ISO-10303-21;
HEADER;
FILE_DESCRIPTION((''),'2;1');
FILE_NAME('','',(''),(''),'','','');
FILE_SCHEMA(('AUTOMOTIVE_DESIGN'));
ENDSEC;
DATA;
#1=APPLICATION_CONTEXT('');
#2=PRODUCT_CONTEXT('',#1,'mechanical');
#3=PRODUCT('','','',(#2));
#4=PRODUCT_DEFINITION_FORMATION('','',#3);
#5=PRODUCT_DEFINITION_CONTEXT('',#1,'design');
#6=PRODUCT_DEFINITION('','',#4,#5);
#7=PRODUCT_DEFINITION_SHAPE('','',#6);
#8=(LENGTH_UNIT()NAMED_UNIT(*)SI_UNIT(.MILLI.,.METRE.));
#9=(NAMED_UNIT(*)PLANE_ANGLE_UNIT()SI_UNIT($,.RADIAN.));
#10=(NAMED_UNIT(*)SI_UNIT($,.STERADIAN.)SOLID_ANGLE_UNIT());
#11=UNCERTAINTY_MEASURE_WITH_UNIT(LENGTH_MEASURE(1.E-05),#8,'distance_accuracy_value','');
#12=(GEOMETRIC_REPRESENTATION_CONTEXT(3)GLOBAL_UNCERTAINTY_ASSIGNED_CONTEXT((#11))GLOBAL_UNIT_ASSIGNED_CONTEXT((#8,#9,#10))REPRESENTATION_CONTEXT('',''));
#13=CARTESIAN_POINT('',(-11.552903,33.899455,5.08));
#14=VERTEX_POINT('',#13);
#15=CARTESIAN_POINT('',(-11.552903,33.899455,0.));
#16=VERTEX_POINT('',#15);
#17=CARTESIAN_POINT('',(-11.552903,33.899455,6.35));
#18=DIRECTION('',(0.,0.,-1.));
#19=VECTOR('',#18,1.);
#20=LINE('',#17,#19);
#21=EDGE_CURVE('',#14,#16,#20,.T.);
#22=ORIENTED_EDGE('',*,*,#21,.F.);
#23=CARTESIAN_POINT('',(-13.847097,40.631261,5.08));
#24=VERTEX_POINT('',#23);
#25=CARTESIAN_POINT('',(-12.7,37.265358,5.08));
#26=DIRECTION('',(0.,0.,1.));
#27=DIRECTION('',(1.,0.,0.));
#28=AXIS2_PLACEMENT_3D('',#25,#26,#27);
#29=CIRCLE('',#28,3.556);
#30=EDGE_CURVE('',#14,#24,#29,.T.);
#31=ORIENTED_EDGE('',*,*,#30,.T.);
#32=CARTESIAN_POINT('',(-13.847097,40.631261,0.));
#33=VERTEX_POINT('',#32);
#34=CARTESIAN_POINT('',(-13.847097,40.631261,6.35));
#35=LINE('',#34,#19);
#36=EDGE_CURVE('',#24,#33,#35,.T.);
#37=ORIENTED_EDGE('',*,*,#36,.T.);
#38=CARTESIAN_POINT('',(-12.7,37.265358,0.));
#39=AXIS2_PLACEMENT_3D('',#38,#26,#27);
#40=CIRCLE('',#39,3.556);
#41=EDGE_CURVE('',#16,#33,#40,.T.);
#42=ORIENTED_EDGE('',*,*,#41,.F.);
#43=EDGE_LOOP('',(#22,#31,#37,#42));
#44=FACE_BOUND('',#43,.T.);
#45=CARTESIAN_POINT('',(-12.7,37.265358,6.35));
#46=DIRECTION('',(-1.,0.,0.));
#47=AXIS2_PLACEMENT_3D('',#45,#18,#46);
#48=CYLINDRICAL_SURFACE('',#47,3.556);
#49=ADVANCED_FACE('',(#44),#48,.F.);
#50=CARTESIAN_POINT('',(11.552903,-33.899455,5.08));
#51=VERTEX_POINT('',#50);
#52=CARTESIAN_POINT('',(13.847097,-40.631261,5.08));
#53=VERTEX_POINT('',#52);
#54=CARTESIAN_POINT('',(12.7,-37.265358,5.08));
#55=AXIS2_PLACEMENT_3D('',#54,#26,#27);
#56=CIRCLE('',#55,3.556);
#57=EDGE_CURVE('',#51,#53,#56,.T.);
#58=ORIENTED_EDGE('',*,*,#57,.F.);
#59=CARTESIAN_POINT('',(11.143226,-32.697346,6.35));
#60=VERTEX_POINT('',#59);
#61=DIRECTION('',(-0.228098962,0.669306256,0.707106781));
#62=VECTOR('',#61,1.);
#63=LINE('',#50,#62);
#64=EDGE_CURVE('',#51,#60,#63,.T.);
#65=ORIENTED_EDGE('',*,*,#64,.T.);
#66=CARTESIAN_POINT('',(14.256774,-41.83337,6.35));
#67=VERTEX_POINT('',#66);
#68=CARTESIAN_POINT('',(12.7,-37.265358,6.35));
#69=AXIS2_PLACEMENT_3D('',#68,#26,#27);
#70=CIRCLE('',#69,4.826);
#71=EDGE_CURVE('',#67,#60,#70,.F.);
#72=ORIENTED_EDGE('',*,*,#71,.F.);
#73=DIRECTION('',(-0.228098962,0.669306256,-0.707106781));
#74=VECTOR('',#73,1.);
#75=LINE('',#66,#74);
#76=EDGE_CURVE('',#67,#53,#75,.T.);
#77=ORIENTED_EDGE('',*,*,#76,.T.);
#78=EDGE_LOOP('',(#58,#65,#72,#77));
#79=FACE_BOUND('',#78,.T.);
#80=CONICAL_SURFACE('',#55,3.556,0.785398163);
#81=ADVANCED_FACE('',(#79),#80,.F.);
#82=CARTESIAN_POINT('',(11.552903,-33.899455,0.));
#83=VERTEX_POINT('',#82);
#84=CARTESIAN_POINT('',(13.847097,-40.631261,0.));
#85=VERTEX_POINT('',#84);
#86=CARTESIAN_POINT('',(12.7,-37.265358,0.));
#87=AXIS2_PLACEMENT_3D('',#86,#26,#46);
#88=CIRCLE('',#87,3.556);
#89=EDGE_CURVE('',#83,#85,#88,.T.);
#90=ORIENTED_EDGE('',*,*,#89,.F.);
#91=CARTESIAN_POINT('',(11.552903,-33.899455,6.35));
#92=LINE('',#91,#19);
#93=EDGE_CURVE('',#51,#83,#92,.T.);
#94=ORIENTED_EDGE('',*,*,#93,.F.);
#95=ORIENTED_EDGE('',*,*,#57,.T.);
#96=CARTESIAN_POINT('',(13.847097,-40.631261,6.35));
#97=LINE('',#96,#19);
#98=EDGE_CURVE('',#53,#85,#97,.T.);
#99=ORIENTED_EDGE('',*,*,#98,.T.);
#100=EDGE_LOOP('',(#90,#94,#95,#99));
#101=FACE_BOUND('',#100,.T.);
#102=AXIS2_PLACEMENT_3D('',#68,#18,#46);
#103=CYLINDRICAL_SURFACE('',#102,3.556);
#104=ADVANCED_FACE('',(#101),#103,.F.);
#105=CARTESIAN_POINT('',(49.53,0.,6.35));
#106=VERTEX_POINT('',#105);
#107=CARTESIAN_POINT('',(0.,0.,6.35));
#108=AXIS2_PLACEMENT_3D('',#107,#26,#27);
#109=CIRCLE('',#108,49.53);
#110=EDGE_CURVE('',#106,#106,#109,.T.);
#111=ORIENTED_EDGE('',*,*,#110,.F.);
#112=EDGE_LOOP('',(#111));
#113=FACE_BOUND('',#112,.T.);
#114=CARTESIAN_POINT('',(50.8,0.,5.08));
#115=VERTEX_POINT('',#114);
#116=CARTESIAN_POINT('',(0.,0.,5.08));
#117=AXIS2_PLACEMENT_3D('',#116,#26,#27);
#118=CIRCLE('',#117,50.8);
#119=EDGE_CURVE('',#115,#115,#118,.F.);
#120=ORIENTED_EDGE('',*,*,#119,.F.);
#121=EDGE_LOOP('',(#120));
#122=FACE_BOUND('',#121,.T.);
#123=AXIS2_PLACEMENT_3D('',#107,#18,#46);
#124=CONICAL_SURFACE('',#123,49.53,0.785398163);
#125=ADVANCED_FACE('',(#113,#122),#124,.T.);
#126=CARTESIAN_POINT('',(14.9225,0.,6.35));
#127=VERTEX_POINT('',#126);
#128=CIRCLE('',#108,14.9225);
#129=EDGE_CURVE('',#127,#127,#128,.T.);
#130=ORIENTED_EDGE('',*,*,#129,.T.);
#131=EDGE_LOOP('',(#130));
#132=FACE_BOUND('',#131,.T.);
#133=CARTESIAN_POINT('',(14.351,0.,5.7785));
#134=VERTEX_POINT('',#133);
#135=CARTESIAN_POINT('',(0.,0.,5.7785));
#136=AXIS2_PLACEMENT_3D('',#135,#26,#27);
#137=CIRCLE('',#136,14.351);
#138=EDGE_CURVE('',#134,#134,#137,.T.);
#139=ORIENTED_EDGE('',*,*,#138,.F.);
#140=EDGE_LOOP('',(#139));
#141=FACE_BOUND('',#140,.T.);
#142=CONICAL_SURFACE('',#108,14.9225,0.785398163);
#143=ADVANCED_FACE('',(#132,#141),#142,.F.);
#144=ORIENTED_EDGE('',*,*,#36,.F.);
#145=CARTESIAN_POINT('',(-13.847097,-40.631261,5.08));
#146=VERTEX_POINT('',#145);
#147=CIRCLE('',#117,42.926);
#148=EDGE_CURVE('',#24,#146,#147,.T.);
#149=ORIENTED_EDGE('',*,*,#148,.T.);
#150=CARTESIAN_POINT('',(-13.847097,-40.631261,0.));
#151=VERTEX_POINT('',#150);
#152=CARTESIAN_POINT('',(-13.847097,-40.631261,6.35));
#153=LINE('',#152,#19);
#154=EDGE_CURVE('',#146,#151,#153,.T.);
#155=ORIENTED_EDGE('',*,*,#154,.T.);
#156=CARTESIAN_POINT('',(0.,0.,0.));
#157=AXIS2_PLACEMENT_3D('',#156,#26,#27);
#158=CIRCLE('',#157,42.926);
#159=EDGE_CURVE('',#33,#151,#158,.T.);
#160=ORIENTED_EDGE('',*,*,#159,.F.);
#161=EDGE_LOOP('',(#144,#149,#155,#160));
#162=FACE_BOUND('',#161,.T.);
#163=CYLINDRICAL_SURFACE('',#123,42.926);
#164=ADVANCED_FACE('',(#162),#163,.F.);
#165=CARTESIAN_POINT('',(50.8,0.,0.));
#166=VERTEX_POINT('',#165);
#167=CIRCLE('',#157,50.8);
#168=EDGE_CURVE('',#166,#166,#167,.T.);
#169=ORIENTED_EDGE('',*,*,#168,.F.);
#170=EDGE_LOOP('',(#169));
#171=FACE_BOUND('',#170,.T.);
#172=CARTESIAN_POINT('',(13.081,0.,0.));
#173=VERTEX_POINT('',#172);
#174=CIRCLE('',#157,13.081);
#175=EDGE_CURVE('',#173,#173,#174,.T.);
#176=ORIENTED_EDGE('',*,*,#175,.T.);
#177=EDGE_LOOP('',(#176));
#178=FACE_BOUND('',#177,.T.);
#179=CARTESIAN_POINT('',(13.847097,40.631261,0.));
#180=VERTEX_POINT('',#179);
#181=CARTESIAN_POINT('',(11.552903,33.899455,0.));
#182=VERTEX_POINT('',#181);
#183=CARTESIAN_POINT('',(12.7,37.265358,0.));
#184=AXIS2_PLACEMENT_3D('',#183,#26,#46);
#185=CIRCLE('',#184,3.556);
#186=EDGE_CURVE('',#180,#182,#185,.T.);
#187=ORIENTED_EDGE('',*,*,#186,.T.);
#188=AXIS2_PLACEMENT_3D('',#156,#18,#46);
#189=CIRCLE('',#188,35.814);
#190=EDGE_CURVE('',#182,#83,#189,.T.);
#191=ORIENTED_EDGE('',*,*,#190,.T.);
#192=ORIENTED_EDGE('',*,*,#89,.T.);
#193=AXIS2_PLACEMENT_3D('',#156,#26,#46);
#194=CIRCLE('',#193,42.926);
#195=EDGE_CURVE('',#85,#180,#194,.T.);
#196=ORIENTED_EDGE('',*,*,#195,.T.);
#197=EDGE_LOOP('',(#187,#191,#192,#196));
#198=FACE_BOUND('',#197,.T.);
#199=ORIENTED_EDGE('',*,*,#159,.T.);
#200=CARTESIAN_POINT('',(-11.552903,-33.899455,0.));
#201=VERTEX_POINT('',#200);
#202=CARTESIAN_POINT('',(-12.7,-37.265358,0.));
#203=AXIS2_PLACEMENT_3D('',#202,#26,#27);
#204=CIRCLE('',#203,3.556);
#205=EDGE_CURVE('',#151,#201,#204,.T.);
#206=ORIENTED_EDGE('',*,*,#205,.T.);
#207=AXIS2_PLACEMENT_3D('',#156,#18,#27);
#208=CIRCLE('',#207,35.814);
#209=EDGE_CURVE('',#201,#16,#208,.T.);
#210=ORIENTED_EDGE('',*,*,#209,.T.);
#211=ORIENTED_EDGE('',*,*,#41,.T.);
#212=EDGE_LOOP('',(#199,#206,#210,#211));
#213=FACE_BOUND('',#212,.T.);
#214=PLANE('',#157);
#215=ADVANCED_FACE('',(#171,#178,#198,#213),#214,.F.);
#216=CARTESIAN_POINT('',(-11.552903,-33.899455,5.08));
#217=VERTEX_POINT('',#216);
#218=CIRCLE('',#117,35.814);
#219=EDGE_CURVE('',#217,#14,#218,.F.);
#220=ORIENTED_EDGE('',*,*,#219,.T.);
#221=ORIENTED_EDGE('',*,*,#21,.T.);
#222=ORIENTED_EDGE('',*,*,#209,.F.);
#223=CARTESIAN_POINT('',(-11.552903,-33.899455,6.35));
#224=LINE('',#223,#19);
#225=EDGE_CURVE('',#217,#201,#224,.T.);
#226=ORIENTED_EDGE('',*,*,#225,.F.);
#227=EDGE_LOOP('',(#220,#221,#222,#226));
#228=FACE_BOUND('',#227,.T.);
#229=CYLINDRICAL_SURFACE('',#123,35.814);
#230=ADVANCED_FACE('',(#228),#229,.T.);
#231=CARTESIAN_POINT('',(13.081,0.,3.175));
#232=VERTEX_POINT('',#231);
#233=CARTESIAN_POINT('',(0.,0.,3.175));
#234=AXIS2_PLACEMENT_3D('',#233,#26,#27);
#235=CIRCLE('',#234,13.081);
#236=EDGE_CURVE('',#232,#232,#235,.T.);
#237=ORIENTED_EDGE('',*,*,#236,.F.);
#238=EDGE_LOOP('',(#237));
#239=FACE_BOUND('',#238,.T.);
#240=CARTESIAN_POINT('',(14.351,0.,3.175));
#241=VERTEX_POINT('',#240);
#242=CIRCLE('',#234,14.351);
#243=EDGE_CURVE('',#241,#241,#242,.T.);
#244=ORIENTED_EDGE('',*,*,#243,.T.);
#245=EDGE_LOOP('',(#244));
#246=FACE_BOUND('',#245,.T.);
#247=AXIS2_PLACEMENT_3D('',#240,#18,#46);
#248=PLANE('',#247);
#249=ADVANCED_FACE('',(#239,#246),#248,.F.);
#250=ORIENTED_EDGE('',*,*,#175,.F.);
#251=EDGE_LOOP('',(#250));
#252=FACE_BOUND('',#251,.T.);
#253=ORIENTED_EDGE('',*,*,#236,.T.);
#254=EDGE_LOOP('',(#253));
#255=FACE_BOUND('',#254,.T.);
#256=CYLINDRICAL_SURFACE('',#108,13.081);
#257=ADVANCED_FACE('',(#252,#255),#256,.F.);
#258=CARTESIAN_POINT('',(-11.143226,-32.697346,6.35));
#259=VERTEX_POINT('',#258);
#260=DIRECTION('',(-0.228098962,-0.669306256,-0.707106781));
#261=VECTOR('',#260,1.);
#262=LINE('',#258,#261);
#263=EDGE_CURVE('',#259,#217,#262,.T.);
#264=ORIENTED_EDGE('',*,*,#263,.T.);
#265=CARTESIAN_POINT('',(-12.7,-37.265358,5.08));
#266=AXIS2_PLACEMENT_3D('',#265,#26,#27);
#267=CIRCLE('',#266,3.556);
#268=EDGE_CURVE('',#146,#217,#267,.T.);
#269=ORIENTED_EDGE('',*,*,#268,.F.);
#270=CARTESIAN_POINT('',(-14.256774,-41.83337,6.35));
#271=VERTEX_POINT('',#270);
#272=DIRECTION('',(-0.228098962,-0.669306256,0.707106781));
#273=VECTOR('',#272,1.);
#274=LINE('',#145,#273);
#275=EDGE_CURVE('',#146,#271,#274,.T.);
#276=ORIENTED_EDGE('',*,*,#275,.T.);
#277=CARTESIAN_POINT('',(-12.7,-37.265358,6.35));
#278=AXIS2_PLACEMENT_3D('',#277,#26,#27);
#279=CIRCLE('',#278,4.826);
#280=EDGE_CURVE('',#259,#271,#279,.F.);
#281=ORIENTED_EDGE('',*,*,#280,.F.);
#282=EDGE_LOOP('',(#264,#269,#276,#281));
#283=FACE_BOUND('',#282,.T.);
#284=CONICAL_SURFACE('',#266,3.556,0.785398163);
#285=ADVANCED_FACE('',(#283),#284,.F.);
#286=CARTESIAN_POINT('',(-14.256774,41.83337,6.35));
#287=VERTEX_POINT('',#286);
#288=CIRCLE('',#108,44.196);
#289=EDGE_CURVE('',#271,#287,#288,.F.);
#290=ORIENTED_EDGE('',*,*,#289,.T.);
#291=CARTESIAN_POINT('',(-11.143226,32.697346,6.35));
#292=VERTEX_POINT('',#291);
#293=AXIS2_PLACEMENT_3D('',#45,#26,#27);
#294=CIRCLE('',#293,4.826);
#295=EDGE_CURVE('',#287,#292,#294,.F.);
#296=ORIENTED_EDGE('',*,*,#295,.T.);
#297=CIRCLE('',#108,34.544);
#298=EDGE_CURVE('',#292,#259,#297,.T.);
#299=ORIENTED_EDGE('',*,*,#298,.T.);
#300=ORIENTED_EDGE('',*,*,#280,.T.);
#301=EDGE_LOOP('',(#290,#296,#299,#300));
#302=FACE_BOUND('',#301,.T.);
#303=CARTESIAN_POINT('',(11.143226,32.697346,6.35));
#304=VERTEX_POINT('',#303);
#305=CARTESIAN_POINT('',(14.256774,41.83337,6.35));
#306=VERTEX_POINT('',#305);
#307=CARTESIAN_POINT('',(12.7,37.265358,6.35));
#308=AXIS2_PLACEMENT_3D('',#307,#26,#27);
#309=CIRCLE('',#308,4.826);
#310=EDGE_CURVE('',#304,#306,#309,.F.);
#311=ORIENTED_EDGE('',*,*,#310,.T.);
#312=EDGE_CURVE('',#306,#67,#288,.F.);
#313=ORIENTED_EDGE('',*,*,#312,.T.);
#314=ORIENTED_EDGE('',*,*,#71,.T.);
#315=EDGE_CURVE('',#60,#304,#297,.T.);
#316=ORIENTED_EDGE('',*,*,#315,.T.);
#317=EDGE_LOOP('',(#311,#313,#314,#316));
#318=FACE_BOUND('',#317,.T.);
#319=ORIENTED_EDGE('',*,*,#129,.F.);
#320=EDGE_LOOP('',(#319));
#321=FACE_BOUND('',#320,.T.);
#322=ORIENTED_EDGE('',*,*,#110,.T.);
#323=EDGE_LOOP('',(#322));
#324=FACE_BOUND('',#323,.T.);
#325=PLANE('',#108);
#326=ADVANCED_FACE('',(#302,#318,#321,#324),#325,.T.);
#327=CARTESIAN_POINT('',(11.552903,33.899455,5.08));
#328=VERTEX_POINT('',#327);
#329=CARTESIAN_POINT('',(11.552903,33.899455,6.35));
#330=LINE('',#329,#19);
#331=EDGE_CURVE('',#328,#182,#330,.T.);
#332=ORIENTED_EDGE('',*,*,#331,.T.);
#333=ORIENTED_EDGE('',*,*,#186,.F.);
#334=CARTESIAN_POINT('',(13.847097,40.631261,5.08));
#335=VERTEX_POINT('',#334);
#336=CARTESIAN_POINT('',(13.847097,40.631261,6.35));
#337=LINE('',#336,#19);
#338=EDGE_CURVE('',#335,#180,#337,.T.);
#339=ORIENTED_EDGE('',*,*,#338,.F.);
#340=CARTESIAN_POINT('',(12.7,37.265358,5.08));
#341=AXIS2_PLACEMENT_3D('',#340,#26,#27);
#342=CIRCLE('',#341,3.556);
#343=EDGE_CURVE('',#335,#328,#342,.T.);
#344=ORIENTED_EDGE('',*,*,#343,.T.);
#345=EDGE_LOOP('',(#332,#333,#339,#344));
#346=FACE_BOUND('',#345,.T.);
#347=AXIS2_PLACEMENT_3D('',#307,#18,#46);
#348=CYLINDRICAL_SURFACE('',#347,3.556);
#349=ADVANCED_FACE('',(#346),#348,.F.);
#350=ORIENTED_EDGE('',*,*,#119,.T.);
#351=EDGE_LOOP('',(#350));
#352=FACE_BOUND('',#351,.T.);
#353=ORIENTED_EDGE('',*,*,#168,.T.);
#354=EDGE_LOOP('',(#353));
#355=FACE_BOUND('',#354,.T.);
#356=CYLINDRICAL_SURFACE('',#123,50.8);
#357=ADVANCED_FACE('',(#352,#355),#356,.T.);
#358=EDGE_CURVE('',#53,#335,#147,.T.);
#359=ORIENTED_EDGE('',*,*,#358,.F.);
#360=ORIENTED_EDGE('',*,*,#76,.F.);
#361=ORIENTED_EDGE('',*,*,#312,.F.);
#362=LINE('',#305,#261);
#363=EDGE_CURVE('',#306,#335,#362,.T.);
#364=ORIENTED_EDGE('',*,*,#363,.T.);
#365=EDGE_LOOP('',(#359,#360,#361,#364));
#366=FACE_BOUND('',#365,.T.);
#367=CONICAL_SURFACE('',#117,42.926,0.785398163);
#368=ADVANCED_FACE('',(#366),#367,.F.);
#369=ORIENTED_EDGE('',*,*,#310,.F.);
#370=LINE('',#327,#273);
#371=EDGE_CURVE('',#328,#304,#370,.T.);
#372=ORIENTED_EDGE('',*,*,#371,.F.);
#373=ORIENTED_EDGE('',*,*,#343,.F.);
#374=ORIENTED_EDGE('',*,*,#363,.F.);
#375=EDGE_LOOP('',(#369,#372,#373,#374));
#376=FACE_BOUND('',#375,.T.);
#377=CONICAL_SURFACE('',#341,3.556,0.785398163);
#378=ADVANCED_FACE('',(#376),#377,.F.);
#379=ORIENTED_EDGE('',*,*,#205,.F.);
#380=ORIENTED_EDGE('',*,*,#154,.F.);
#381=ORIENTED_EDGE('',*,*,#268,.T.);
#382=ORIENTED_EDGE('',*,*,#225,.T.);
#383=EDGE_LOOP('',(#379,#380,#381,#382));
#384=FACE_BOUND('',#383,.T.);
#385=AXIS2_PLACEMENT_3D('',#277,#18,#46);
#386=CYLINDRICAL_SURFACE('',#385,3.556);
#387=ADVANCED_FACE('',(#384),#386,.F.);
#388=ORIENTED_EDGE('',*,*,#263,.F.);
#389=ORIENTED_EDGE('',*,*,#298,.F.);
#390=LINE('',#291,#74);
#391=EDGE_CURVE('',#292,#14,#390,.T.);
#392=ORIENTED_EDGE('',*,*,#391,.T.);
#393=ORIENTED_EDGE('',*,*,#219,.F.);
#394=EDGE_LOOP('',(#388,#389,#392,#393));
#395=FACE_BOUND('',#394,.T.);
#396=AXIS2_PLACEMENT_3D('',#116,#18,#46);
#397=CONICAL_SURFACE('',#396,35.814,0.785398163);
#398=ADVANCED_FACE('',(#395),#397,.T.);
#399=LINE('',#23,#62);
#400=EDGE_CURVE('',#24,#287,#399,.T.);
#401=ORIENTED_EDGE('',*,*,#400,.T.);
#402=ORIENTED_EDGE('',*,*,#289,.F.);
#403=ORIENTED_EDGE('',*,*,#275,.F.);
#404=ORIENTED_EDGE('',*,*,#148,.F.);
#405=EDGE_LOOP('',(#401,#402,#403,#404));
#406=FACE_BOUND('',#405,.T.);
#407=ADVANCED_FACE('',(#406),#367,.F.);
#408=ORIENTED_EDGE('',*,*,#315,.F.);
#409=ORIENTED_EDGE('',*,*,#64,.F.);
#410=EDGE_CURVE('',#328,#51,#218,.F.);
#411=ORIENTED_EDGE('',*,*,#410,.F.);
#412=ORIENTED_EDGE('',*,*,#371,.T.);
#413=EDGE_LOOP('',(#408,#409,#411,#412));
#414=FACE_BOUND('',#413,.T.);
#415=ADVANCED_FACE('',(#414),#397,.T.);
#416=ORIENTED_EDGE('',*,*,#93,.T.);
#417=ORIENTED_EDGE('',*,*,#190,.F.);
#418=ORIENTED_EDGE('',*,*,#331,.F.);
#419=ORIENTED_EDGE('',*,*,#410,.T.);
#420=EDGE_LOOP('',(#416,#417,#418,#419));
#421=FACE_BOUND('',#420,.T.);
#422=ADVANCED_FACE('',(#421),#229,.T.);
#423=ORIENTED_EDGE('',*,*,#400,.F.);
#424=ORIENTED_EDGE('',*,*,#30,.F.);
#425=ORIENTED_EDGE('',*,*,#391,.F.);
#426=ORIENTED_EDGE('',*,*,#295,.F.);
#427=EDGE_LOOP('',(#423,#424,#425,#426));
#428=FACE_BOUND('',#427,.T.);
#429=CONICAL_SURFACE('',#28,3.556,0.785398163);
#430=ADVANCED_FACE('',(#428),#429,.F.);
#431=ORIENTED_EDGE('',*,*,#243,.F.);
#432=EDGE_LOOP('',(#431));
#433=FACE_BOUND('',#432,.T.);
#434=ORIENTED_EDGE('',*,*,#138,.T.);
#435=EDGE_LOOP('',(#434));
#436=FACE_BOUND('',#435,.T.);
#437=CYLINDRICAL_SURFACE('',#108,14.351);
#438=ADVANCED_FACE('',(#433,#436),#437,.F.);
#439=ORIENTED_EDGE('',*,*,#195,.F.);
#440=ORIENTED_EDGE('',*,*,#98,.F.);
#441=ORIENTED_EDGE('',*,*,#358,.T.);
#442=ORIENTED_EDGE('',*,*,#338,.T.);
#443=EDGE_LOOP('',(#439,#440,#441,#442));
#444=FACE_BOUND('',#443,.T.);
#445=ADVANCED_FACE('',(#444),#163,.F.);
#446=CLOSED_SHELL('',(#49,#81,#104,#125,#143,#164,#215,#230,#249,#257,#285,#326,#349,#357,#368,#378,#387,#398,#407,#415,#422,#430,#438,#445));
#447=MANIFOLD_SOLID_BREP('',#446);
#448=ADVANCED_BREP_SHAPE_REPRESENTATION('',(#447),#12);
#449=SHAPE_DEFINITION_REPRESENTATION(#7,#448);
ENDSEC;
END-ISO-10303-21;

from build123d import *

# Parameters (mm, degrees)
SKETCH1_R           = 50.8
BOSS_EXTRUDE1_DEPTH = 6.35
CHAMFER1_SIZE       = 1.27


with BuildPart() as part:
    # Sketch1 → Boss-Extrude1 (new body)
    with BuildSketch(Plane.XY):
        Circle(SKETCH1_R)
        with BuildLine():
            ThreePointArc((-13.847096774, 40.631261203), (-42.926, 0), (-13.847096774, -40.631261203))
            ThreePointArc((-13.847096774, -40.631261203), (-9.334096705, -38.412454682), (-11.552903226, -33.899454613))
            ThreePointArc((-11.552903226, -33.899454613), (-35.814, 0), (-11.552903226, 33.899454613))
            ThreePointArc((-11.552903226, 33.899454613), (-9.334096705, 38.412454682), (-13.847096774, 40.631261203))
        make_face(mode=Mode.SUBTRACT)
        with BuildLine():
            ThreePointArc((13.847096774, 40.631261203), (42.926, 0), (13.847096774, -40.631261203))
            ThreePointArc((13.847096774, -40.631261203), (9.334096705, -38.412454682), (11.552903226, -33.899454613))
            ThreePointArc((11.552903226, -33.899454613), (35.814, 0), (11.552903226, 33.899454613))
            ThreePointArc((11.552903226, 33.899454613), (9.334096705, 38.412454682), (13.847096774, 40.631261203))
        make_face(mode=Mode.SUBTRACT)
    extrude(amount=BOSS_EXTRUDE1_DEPTH)

    # Chamfer1
    chamfer1_edges = [part.edges().sort_by_distance(p)[0] for p in [
        (-9.334096705, -38.412454682, 6.35),
        (-35.814, 0, 6.35),
        (9.334096705, 38.412454682, 6.35),
        (35.814, 0, 6.35),
        (9.334096705, -38.412454682, 6.35),
        (42.926, 0, 6.35),
        (-50.8, 0, 6.35),
        (-9.334096705, 38.412454682, 6.35),
        (-42.926, 0, 6.35),
    ]]
    chamfer(chamfer1_edges, length=CHAMFER1_SIZE)

    # Sketch5 → CBORE for 1/2 Heavy Hex Bolt1 (revolve, cut)
    with BuildSketch(Plane(origin=(0, 0, 6.35), x_dir=(0, -1, 0), z_dir=(1, 0, 0))):
        Polygon((0, 0), (0, 6.35), (13.081, 6.35), (13.081, 3.175), (14.351, 3.175), (14.351, 0.5715), (14.9225, 0), align=None)
    revolve(axis=Axis((0, 0, 12.7), (0, 0, -1)), mode=Mode.SUBTRACT)


solid = part.part
